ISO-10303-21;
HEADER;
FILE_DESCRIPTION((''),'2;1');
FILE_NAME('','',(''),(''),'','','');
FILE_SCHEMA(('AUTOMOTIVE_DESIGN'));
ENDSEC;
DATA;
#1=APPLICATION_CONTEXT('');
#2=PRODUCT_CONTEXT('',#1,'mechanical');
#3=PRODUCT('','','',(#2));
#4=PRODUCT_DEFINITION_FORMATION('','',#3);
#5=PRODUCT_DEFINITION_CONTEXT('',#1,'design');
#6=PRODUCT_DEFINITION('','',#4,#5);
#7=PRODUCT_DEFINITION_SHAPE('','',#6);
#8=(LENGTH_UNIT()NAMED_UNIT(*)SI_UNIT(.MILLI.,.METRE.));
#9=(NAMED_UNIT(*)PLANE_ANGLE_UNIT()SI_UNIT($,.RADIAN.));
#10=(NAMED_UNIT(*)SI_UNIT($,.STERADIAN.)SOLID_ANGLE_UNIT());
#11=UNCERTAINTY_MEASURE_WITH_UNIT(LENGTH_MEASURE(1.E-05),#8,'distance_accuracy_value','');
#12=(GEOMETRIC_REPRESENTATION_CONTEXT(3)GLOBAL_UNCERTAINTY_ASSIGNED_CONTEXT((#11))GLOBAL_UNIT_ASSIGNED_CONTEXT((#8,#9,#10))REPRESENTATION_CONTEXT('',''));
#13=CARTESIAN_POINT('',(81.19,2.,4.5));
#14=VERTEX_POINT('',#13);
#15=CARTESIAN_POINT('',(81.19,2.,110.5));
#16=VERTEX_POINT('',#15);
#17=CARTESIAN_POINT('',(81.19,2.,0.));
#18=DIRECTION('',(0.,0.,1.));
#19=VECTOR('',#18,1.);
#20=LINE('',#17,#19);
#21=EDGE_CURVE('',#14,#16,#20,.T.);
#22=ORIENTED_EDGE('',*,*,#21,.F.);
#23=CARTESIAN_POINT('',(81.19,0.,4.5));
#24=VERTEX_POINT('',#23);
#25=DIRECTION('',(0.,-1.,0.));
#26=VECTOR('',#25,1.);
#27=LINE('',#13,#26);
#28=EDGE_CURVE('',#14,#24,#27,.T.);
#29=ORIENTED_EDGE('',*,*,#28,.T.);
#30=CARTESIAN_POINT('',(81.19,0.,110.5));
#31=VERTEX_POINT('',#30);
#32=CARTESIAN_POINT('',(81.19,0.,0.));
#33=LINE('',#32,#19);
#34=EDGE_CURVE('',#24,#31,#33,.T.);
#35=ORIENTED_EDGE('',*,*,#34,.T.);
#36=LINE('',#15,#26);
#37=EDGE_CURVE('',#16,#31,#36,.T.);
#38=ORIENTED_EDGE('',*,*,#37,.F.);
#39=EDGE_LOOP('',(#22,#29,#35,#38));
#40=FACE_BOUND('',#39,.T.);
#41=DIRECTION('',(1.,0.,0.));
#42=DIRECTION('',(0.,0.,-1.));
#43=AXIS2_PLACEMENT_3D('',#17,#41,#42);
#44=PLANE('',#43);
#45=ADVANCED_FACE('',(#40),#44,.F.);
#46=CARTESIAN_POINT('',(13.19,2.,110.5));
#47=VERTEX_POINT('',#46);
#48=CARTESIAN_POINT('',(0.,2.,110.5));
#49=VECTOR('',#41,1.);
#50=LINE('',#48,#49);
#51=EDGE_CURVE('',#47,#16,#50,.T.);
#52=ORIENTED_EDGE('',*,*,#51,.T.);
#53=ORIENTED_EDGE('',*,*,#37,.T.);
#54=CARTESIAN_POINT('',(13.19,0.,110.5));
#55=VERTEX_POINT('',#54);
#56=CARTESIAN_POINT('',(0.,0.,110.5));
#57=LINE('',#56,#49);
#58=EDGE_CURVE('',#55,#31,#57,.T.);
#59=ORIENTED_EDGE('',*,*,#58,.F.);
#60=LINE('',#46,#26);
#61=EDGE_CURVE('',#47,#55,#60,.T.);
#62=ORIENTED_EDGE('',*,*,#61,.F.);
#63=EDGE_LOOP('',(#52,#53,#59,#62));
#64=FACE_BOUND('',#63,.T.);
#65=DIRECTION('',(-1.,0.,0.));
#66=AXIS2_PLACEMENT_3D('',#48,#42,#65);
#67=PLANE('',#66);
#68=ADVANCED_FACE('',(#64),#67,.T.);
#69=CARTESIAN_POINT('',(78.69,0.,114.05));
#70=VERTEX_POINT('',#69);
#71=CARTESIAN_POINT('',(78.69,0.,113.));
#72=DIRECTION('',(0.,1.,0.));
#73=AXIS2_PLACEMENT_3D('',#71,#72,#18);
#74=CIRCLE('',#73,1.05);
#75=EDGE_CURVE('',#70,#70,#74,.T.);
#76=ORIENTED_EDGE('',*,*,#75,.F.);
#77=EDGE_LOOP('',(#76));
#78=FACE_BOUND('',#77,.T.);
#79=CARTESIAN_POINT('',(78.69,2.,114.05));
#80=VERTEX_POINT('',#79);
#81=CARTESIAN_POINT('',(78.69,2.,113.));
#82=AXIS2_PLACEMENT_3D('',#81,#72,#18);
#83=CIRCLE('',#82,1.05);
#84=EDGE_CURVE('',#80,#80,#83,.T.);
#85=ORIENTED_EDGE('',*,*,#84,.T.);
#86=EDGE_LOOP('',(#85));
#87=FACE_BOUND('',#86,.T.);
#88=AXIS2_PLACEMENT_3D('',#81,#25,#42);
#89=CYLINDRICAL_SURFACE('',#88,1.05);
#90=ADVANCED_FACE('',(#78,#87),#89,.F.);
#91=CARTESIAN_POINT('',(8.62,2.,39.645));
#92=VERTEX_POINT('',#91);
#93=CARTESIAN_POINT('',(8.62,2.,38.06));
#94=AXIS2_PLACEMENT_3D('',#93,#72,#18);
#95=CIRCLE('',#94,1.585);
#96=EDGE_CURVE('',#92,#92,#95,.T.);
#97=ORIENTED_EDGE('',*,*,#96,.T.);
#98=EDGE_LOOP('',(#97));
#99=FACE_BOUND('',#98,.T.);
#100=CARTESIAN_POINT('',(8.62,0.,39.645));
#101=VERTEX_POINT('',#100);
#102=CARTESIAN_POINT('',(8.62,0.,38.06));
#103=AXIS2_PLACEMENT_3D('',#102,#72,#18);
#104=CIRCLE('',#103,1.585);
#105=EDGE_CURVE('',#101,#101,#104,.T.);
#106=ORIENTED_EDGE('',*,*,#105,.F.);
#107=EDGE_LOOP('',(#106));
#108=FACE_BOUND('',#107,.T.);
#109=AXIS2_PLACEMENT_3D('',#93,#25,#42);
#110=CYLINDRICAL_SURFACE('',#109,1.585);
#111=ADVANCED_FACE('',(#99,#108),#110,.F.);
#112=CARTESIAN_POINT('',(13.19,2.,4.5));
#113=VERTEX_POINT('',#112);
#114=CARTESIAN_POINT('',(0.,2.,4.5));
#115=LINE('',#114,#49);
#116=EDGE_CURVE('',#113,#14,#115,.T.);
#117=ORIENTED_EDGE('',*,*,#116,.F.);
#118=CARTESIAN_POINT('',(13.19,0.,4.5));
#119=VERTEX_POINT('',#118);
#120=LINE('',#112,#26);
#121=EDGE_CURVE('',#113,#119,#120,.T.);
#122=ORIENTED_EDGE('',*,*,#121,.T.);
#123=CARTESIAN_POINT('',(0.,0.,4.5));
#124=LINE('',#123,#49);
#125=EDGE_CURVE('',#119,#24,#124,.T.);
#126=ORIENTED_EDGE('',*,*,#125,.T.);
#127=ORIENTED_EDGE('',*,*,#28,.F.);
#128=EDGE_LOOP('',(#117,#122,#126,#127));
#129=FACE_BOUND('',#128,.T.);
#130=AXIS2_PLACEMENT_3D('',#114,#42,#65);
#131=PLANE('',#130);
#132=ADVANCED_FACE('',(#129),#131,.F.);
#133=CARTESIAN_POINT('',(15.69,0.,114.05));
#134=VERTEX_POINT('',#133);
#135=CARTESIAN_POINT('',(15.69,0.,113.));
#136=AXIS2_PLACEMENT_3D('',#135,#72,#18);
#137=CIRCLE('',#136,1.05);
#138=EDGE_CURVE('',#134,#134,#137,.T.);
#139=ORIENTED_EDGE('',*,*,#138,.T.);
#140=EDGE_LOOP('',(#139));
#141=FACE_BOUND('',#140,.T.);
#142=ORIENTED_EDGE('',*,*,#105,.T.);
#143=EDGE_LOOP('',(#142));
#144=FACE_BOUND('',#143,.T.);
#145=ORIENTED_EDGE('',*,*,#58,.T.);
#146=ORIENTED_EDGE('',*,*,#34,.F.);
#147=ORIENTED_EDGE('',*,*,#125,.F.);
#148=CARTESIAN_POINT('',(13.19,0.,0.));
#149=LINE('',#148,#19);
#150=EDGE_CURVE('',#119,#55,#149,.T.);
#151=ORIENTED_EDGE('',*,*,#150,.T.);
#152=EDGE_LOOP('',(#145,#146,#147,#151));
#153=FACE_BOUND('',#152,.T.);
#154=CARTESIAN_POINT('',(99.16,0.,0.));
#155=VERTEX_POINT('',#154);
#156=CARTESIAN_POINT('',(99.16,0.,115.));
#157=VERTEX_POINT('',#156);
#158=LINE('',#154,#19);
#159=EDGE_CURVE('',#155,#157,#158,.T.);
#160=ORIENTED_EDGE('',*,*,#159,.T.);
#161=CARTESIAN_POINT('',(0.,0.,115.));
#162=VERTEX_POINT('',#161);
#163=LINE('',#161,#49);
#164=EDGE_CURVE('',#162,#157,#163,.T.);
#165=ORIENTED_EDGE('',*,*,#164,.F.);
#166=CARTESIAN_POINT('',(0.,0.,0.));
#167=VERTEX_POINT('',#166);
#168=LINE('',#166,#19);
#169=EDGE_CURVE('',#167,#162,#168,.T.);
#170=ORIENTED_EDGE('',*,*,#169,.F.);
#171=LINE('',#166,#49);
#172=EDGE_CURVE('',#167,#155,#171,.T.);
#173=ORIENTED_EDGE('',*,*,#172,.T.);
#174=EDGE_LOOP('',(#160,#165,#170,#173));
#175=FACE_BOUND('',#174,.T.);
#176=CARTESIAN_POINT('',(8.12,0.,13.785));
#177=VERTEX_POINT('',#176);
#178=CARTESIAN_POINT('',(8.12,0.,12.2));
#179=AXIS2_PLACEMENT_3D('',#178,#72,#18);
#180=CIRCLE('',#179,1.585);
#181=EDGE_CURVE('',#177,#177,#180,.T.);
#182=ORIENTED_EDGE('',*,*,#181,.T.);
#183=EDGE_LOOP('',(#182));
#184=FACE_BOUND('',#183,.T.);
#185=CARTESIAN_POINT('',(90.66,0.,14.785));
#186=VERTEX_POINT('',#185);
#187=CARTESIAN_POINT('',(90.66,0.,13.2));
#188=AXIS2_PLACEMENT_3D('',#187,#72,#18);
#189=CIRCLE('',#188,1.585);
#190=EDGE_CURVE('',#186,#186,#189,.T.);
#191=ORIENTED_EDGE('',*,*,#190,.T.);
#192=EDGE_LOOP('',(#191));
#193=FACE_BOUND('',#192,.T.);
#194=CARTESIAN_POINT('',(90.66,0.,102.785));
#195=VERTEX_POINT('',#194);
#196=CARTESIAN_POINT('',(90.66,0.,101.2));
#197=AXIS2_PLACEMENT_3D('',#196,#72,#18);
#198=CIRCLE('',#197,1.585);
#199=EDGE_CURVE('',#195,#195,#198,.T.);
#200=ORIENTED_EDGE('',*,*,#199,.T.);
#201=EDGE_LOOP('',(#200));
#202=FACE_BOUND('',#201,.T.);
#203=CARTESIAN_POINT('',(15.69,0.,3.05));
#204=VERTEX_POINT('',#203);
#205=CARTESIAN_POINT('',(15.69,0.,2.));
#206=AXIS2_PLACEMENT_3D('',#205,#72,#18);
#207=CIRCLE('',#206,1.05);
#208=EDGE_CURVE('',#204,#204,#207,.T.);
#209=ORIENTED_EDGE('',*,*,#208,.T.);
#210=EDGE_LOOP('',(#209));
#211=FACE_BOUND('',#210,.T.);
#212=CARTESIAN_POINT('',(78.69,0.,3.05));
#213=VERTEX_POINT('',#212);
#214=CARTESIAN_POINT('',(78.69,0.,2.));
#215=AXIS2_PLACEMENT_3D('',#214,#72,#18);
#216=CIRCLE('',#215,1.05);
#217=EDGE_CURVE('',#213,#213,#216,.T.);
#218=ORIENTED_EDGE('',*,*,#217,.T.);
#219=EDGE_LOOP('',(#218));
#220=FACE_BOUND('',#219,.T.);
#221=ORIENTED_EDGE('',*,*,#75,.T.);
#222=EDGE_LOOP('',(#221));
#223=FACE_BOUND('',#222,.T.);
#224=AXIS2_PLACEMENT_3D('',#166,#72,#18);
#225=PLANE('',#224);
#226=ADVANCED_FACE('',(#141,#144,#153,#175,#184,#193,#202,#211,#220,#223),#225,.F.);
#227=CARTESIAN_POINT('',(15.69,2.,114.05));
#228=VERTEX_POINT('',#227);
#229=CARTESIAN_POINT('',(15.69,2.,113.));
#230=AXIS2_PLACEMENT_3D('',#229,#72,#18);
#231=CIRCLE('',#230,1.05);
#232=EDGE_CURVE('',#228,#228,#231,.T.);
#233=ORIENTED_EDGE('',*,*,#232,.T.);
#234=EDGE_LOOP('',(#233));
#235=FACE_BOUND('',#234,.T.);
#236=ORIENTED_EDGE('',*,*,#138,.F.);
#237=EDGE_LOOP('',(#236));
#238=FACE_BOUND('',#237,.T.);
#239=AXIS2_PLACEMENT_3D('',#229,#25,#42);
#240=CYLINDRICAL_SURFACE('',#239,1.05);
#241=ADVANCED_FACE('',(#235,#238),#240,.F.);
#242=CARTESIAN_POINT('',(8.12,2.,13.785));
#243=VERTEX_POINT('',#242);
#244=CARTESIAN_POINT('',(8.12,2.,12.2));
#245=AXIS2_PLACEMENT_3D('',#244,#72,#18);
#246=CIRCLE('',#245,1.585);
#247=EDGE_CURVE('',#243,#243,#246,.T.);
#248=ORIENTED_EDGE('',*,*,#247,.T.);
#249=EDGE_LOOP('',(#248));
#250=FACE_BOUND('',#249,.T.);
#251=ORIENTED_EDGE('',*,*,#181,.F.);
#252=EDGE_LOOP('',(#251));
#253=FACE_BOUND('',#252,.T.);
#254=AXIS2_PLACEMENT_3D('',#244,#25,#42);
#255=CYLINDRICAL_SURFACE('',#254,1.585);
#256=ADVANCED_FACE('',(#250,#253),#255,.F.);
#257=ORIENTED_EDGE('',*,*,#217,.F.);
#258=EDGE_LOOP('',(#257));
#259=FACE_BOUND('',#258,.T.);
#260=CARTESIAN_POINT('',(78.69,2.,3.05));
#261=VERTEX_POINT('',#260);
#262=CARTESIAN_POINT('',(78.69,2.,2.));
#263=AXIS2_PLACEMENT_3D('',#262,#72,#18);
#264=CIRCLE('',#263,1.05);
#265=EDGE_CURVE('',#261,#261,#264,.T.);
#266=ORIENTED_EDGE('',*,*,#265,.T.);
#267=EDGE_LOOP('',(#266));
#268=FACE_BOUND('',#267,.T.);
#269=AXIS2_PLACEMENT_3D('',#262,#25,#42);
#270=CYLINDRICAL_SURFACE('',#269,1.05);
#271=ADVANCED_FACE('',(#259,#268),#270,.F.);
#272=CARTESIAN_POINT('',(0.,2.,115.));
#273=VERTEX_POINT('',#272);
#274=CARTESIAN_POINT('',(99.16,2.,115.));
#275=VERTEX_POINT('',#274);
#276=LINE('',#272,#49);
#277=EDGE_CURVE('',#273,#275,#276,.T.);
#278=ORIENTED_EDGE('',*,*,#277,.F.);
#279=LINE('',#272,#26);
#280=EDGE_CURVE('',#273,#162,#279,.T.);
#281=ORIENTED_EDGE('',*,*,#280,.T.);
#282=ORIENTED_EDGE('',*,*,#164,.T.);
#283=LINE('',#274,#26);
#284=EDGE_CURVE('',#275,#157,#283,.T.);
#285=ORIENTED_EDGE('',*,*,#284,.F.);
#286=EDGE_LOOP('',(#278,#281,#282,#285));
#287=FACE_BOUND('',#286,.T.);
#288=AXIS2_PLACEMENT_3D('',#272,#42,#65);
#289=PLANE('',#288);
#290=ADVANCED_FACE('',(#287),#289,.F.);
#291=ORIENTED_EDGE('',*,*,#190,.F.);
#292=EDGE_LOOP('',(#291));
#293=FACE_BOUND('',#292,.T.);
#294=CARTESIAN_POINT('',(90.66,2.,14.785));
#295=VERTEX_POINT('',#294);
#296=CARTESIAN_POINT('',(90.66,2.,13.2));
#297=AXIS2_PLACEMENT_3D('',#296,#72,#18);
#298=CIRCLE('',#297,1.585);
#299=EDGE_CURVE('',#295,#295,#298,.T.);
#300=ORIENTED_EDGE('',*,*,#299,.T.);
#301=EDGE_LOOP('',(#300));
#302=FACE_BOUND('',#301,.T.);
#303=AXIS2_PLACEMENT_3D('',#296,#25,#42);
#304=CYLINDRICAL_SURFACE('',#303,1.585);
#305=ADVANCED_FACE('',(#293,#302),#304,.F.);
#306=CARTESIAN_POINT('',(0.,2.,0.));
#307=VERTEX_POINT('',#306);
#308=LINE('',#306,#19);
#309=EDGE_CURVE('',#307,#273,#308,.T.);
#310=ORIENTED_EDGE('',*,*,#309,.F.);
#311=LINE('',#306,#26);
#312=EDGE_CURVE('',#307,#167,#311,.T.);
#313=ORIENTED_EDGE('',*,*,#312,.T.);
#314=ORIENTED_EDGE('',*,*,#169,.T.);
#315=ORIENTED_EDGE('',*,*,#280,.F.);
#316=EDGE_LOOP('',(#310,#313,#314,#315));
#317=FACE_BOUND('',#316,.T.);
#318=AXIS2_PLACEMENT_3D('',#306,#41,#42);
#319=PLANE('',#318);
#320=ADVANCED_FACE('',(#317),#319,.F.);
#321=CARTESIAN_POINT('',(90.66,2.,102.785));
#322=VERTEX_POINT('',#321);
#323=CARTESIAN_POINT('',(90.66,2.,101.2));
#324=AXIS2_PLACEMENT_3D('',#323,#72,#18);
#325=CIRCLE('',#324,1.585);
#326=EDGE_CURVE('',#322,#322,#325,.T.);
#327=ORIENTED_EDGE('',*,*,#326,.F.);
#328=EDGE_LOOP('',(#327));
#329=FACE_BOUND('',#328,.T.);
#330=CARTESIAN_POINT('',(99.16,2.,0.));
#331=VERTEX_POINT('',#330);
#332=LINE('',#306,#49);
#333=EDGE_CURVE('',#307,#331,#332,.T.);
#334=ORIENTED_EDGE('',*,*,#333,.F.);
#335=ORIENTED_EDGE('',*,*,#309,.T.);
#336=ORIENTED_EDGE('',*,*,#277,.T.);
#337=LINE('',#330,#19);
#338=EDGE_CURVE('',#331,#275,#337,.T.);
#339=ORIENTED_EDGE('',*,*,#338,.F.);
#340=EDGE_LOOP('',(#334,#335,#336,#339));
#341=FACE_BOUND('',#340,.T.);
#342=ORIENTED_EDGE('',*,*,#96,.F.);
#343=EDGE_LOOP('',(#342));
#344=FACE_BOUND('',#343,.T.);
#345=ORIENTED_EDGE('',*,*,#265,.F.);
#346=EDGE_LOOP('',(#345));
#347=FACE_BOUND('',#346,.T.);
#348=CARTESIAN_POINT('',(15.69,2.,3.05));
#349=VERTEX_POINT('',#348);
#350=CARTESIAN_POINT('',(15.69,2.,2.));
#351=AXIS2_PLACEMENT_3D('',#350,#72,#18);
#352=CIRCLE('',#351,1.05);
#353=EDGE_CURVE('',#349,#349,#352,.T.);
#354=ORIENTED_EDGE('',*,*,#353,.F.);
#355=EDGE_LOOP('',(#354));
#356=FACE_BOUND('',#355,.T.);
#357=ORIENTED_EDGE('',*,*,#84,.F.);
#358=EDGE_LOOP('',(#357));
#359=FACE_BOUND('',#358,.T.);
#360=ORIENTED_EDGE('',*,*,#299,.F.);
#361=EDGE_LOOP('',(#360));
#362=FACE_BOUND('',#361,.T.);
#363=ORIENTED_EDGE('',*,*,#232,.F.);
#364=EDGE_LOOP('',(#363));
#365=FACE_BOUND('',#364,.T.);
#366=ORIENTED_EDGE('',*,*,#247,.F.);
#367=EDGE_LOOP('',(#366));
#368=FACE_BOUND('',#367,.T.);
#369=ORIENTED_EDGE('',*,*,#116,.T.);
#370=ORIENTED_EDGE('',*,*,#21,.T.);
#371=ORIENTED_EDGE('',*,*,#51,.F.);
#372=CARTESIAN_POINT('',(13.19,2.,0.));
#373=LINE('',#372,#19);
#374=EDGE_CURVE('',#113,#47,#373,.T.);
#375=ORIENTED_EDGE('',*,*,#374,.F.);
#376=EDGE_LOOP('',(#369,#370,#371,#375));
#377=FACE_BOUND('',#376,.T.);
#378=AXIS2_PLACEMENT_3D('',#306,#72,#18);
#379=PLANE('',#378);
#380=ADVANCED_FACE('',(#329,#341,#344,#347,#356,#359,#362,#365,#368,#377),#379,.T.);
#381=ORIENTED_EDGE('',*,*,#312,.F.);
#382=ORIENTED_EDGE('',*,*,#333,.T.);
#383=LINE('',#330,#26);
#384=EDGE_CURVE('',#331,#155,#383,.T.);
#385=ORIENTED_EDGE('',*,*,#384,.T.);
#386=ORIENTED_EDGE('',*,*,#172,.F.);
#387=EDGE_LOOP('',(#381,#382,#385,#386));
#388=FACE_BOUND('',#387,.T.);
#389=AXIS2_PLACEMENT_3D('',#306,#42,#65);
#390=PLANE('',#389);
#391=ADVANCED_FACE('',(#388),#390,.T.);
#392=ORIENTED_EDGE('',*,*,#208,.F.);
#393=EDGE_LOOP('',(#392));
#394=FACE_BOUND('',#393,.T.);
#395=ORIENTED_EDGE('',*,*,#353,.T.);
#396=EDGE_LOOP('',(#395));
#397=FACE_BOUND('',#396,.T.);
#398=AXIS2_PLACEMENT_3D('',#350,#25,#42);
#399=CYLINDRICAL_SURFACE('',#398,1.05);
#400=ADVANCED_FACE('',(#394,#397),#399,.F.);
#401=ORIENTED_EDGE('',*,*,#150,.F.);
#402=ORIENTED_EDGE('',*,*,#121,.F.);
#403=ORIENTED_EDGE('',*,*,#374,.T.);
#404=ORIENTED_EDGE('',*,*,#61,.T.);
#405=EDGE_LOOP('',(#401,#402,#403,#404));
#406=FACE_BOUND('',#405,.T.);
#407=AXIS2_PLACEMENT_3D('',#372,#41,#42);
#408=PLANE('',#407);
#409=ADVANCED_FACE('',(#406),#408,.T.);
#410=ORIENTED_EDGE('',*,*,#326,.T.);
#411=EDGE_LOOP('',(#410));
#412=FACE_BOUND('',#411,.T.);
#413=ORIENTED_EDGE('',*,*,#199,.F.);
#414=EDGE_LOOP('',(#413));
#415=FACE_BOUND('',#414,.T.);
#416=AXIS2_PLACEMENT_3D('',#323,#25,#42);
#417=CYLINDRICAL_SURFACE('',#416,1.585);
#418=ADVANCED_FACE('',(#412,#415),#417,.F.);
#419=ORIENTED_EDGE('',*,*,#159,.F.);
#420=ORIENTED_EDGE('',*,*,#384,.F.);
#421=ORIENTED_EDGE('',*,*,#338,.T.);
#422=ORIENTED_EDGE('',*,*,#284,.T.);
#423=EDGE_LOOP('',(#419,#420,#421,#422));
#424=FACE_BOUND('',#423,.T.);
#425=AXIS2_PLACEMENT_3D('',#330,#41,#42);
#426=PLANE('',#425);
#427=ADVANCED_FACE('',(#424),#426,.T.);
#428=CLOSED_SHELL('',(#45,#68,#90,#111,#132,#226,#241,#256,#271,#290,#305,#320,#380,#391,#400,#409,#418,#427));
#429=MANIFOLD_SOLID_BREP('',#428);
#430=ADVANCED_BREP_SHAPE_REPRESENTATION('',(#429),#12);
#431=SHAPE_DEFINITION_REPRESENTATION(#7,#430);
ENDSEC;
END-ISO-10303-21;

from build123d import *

# Parameters (mm, degrees)
SKETCH_1_W      = 99.16
SKETCH_1_H      = 115
SKETCH_1_R      = 1.585
SKETCH_1_R_2    = 1.05
SKETCH_1_W_2    = 68
SKETCH_1_H_2    = 106
EXTRUDE_1_DEPTH = 2


with BuildPart() as part:
    # 草图1 → 凸台-拉伸1 (new body)
    with BuildSketch(Plane(origin=(0, 0, 0), x_dir=(1, 0, 0), z_dir=(0, 1, 0))):
        with Locations((49.58, -57.5)):
            Rectangle(SKETCH_1_W, SKETCH_1_H)
        with Locations(Location((90.66, -13.2, 0), (0, 0, 270))):
            Circle(SKETCH_1_R, mode=Mode.SUBTRACT)
        with Locations(Location((90.66, -101.2, 0), (0, 0, 270))):
            Circle(SKETCH_1_R, mode=Mode.SUBTRACT)
        with Locations(Location((8.12, -12.2, 0), (0, 0, 270))):
            Circle(SKETCH_1_R, mode=Mode.SUBTRACT)
        with Locations(Location((8.62, -38.06, 0), (0, 0, 270))):
            Circle(SKETCH_1_R, mode=Mode.SUBTRACT)
        with Locations(Location((15.69, -2, 0), (0, 0, 270))):
            Circle(SKETCH_1_R_2, mode=Mode.SUBTRACT)
        with Locations(Location((78.69, -2, 0), (0, 0, 270))):
            Circle(SKETCH_1_R_2, mode=Mode.SUBTRACT)
        with Locations(Location((15.69, -113, 0), (0, 0, 270))):
            Circle(SKETCH_1_R_2, mode=Mode.SUBTRACT)
        with Locations(Location((78.69, -113, 0), (0, 0, 270))):
            Circle(SKETCH_1_R_2, mode=Mode.SUBTRACT)
        with Locations((47.19, -57.5)):
            Rectangle(SKETCH_1_W_2, SKETCH_1_H_2, mode=Mode.SUBTRACT)
    extrude(amount=EXTRUDE_1_DEPTH)


solid = part.part
